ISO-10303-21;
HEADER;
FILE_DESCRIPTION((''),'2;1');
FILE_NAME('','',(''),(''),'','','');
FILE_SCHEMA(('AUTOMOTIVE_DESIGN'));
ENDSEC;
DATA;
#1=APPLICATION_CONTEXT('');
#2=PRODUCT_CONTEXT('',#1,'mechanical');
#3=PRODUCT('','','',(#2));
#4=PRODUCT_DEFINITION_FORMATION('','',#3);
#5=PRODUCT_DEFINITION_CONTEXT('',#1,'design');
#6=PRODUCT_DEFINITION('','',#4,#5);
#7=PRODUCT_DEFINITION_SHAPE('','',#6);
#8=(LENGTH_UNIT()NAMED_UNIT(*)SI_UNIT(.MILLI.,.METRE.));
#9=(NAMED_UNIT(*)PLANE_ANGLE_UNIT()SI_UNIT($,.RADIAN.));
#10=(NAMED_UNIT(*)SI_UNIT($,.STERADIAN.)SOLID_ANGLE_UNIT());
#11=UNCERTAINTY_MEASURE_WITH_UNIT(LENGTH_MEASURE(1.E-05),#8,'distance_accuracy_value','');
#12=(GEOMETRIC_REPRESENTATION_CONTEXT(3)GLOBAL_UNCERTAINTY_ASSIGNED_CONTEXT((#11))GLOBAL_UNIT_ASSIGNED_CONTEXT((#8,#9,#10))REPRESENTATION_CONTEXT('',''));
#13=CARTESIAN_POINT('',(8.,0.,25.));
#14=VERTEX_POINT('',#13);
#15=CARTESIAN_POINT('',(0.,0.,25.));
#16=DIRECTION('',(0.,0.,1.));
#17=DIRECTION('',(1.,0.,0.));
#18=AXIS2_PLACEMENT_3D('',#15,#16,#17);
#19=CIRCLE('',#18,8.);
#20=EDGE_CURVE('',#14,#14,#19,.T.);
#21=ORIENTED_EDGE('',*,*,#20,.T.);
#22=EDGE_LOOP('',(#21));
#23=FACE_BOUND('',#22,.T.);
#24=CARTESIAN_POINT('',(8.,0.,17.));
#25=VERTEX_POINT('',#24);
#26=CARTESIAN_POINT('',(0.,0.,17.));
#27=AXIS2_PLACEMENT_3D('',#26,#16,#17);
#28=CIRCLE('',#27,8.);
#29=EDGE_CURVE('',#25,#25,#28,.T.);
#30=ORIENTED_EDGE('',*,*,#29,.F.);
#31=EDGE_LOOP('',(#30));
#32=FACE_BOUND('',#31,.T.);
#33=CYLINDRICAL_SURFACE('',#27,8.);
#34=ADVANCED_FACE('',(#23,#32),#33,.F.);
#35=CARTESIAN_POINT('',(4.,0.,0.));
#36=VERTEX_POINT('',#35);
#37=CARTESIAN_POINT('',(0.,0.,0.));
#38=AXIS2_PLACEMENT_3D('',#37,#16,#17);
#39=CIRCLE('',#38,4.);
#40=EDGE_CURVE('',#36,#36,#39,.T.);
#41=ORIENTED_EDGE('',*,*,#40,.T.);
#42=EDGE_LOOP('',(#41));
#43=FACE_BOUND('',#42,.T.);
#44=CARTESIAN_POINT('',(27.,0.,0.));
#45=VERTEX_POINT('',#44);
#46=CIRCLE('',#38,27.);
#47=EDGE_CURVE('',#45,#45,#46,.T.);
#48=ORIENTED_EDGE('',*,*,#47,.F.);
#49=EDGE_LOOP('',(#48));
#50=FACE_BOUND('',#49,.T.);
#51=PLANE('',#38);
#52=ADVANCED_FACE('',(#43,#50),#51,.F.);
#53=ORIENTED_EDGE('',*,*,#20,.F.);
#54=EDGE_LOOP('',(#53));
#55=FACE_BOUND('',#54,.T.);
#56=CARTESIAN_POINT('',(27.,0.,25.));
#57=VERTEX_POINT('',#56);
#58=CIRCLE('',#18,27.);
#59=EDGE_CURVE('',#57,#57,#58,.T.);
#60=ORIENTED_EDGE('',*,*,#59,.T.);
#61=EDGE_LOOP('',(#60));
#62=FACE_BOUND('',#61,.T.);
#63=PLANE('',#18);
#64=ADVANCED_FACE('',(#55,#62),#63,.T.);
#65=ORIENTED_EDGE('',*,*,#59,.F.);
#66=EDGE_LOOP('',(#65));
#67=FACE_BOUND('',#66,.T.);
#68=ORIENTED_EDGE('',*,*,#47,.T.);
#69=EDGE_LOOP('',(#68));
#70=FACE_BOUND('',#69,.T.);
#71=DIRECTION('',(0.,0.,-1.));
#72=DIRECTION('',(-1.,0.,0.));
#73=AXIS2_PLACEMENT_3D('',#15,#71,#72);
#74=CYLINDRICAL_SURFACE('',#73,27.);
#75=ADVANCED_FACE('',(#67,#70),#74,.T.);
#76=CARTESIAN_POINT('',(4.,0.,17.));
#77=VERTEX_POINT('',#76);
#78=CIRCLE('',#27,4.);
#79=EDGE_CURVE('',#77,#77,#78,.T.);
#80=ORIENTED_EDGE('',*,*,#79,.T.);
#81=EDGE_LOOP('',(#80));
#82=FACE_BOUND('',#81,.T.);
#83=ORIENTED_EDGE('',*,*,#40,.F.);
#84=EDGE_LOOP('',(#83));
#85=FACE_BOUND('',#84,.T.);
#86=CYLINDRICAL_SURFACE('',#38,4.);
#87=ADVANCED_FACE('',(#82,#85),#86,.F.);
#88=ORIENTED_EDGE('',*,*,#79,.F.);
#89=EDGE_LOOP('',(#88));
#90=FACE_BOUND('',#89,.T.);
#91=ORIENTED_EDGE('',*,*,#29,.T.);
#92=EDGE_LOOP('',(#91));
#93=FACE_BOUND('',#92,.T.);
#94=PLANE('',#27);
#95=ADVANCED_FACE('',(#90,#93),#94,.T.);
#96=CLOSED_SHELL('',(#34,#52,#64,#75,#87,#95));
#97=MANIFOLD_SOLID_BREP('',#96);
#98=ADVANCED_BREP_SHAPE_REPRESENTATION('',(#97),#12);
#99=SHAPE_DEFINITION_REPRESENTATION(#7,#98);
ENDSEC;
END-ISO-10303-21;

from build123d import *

# Parameters (mm, degrees)
ESQUISSE1_R             = 27
BOSS_EXTRU_1_DEPTH      = 25
ESQUISSE2_R             = 8
ENL_V_MAT_EXTRU_1_DEPTH = 8
ESQUISSE3_R             = 4
ENL_V_MAT_EXTRU_2_DEPTH = 18


with BuildPart() as part:
    # Esquisse1 → Boss.-Extru.1 (new body)
    with BuildSketch(Plane.XY):
        Circle(ESQUISSE1_R)
    extrude(amount=BOSS_EXTRU_1_DEPTH)

    # Esquisse2 → Enlèv. mat.-Extru.1 (cut)
    with BuildSketch(Plane.XY.offset(25)):
        Circle(ESQUISSE2_R)
    extrude(amount=-ENL_V_MAT_EXTRU_1_DEPTH, mode=Mode.SUBTRACT)

    # Esquisse3 → Enlèv. mat.-Extru.2 (cut, through all)
    with BuildSketch(Plane.XY.offset(17)):
        Circle(ESQUISSE3_R)
    extrude(amount=-ENL_V_MAT_EXTRU_2_DEPTH, mode=Mode.SUBTRACT)


solid = part.part
